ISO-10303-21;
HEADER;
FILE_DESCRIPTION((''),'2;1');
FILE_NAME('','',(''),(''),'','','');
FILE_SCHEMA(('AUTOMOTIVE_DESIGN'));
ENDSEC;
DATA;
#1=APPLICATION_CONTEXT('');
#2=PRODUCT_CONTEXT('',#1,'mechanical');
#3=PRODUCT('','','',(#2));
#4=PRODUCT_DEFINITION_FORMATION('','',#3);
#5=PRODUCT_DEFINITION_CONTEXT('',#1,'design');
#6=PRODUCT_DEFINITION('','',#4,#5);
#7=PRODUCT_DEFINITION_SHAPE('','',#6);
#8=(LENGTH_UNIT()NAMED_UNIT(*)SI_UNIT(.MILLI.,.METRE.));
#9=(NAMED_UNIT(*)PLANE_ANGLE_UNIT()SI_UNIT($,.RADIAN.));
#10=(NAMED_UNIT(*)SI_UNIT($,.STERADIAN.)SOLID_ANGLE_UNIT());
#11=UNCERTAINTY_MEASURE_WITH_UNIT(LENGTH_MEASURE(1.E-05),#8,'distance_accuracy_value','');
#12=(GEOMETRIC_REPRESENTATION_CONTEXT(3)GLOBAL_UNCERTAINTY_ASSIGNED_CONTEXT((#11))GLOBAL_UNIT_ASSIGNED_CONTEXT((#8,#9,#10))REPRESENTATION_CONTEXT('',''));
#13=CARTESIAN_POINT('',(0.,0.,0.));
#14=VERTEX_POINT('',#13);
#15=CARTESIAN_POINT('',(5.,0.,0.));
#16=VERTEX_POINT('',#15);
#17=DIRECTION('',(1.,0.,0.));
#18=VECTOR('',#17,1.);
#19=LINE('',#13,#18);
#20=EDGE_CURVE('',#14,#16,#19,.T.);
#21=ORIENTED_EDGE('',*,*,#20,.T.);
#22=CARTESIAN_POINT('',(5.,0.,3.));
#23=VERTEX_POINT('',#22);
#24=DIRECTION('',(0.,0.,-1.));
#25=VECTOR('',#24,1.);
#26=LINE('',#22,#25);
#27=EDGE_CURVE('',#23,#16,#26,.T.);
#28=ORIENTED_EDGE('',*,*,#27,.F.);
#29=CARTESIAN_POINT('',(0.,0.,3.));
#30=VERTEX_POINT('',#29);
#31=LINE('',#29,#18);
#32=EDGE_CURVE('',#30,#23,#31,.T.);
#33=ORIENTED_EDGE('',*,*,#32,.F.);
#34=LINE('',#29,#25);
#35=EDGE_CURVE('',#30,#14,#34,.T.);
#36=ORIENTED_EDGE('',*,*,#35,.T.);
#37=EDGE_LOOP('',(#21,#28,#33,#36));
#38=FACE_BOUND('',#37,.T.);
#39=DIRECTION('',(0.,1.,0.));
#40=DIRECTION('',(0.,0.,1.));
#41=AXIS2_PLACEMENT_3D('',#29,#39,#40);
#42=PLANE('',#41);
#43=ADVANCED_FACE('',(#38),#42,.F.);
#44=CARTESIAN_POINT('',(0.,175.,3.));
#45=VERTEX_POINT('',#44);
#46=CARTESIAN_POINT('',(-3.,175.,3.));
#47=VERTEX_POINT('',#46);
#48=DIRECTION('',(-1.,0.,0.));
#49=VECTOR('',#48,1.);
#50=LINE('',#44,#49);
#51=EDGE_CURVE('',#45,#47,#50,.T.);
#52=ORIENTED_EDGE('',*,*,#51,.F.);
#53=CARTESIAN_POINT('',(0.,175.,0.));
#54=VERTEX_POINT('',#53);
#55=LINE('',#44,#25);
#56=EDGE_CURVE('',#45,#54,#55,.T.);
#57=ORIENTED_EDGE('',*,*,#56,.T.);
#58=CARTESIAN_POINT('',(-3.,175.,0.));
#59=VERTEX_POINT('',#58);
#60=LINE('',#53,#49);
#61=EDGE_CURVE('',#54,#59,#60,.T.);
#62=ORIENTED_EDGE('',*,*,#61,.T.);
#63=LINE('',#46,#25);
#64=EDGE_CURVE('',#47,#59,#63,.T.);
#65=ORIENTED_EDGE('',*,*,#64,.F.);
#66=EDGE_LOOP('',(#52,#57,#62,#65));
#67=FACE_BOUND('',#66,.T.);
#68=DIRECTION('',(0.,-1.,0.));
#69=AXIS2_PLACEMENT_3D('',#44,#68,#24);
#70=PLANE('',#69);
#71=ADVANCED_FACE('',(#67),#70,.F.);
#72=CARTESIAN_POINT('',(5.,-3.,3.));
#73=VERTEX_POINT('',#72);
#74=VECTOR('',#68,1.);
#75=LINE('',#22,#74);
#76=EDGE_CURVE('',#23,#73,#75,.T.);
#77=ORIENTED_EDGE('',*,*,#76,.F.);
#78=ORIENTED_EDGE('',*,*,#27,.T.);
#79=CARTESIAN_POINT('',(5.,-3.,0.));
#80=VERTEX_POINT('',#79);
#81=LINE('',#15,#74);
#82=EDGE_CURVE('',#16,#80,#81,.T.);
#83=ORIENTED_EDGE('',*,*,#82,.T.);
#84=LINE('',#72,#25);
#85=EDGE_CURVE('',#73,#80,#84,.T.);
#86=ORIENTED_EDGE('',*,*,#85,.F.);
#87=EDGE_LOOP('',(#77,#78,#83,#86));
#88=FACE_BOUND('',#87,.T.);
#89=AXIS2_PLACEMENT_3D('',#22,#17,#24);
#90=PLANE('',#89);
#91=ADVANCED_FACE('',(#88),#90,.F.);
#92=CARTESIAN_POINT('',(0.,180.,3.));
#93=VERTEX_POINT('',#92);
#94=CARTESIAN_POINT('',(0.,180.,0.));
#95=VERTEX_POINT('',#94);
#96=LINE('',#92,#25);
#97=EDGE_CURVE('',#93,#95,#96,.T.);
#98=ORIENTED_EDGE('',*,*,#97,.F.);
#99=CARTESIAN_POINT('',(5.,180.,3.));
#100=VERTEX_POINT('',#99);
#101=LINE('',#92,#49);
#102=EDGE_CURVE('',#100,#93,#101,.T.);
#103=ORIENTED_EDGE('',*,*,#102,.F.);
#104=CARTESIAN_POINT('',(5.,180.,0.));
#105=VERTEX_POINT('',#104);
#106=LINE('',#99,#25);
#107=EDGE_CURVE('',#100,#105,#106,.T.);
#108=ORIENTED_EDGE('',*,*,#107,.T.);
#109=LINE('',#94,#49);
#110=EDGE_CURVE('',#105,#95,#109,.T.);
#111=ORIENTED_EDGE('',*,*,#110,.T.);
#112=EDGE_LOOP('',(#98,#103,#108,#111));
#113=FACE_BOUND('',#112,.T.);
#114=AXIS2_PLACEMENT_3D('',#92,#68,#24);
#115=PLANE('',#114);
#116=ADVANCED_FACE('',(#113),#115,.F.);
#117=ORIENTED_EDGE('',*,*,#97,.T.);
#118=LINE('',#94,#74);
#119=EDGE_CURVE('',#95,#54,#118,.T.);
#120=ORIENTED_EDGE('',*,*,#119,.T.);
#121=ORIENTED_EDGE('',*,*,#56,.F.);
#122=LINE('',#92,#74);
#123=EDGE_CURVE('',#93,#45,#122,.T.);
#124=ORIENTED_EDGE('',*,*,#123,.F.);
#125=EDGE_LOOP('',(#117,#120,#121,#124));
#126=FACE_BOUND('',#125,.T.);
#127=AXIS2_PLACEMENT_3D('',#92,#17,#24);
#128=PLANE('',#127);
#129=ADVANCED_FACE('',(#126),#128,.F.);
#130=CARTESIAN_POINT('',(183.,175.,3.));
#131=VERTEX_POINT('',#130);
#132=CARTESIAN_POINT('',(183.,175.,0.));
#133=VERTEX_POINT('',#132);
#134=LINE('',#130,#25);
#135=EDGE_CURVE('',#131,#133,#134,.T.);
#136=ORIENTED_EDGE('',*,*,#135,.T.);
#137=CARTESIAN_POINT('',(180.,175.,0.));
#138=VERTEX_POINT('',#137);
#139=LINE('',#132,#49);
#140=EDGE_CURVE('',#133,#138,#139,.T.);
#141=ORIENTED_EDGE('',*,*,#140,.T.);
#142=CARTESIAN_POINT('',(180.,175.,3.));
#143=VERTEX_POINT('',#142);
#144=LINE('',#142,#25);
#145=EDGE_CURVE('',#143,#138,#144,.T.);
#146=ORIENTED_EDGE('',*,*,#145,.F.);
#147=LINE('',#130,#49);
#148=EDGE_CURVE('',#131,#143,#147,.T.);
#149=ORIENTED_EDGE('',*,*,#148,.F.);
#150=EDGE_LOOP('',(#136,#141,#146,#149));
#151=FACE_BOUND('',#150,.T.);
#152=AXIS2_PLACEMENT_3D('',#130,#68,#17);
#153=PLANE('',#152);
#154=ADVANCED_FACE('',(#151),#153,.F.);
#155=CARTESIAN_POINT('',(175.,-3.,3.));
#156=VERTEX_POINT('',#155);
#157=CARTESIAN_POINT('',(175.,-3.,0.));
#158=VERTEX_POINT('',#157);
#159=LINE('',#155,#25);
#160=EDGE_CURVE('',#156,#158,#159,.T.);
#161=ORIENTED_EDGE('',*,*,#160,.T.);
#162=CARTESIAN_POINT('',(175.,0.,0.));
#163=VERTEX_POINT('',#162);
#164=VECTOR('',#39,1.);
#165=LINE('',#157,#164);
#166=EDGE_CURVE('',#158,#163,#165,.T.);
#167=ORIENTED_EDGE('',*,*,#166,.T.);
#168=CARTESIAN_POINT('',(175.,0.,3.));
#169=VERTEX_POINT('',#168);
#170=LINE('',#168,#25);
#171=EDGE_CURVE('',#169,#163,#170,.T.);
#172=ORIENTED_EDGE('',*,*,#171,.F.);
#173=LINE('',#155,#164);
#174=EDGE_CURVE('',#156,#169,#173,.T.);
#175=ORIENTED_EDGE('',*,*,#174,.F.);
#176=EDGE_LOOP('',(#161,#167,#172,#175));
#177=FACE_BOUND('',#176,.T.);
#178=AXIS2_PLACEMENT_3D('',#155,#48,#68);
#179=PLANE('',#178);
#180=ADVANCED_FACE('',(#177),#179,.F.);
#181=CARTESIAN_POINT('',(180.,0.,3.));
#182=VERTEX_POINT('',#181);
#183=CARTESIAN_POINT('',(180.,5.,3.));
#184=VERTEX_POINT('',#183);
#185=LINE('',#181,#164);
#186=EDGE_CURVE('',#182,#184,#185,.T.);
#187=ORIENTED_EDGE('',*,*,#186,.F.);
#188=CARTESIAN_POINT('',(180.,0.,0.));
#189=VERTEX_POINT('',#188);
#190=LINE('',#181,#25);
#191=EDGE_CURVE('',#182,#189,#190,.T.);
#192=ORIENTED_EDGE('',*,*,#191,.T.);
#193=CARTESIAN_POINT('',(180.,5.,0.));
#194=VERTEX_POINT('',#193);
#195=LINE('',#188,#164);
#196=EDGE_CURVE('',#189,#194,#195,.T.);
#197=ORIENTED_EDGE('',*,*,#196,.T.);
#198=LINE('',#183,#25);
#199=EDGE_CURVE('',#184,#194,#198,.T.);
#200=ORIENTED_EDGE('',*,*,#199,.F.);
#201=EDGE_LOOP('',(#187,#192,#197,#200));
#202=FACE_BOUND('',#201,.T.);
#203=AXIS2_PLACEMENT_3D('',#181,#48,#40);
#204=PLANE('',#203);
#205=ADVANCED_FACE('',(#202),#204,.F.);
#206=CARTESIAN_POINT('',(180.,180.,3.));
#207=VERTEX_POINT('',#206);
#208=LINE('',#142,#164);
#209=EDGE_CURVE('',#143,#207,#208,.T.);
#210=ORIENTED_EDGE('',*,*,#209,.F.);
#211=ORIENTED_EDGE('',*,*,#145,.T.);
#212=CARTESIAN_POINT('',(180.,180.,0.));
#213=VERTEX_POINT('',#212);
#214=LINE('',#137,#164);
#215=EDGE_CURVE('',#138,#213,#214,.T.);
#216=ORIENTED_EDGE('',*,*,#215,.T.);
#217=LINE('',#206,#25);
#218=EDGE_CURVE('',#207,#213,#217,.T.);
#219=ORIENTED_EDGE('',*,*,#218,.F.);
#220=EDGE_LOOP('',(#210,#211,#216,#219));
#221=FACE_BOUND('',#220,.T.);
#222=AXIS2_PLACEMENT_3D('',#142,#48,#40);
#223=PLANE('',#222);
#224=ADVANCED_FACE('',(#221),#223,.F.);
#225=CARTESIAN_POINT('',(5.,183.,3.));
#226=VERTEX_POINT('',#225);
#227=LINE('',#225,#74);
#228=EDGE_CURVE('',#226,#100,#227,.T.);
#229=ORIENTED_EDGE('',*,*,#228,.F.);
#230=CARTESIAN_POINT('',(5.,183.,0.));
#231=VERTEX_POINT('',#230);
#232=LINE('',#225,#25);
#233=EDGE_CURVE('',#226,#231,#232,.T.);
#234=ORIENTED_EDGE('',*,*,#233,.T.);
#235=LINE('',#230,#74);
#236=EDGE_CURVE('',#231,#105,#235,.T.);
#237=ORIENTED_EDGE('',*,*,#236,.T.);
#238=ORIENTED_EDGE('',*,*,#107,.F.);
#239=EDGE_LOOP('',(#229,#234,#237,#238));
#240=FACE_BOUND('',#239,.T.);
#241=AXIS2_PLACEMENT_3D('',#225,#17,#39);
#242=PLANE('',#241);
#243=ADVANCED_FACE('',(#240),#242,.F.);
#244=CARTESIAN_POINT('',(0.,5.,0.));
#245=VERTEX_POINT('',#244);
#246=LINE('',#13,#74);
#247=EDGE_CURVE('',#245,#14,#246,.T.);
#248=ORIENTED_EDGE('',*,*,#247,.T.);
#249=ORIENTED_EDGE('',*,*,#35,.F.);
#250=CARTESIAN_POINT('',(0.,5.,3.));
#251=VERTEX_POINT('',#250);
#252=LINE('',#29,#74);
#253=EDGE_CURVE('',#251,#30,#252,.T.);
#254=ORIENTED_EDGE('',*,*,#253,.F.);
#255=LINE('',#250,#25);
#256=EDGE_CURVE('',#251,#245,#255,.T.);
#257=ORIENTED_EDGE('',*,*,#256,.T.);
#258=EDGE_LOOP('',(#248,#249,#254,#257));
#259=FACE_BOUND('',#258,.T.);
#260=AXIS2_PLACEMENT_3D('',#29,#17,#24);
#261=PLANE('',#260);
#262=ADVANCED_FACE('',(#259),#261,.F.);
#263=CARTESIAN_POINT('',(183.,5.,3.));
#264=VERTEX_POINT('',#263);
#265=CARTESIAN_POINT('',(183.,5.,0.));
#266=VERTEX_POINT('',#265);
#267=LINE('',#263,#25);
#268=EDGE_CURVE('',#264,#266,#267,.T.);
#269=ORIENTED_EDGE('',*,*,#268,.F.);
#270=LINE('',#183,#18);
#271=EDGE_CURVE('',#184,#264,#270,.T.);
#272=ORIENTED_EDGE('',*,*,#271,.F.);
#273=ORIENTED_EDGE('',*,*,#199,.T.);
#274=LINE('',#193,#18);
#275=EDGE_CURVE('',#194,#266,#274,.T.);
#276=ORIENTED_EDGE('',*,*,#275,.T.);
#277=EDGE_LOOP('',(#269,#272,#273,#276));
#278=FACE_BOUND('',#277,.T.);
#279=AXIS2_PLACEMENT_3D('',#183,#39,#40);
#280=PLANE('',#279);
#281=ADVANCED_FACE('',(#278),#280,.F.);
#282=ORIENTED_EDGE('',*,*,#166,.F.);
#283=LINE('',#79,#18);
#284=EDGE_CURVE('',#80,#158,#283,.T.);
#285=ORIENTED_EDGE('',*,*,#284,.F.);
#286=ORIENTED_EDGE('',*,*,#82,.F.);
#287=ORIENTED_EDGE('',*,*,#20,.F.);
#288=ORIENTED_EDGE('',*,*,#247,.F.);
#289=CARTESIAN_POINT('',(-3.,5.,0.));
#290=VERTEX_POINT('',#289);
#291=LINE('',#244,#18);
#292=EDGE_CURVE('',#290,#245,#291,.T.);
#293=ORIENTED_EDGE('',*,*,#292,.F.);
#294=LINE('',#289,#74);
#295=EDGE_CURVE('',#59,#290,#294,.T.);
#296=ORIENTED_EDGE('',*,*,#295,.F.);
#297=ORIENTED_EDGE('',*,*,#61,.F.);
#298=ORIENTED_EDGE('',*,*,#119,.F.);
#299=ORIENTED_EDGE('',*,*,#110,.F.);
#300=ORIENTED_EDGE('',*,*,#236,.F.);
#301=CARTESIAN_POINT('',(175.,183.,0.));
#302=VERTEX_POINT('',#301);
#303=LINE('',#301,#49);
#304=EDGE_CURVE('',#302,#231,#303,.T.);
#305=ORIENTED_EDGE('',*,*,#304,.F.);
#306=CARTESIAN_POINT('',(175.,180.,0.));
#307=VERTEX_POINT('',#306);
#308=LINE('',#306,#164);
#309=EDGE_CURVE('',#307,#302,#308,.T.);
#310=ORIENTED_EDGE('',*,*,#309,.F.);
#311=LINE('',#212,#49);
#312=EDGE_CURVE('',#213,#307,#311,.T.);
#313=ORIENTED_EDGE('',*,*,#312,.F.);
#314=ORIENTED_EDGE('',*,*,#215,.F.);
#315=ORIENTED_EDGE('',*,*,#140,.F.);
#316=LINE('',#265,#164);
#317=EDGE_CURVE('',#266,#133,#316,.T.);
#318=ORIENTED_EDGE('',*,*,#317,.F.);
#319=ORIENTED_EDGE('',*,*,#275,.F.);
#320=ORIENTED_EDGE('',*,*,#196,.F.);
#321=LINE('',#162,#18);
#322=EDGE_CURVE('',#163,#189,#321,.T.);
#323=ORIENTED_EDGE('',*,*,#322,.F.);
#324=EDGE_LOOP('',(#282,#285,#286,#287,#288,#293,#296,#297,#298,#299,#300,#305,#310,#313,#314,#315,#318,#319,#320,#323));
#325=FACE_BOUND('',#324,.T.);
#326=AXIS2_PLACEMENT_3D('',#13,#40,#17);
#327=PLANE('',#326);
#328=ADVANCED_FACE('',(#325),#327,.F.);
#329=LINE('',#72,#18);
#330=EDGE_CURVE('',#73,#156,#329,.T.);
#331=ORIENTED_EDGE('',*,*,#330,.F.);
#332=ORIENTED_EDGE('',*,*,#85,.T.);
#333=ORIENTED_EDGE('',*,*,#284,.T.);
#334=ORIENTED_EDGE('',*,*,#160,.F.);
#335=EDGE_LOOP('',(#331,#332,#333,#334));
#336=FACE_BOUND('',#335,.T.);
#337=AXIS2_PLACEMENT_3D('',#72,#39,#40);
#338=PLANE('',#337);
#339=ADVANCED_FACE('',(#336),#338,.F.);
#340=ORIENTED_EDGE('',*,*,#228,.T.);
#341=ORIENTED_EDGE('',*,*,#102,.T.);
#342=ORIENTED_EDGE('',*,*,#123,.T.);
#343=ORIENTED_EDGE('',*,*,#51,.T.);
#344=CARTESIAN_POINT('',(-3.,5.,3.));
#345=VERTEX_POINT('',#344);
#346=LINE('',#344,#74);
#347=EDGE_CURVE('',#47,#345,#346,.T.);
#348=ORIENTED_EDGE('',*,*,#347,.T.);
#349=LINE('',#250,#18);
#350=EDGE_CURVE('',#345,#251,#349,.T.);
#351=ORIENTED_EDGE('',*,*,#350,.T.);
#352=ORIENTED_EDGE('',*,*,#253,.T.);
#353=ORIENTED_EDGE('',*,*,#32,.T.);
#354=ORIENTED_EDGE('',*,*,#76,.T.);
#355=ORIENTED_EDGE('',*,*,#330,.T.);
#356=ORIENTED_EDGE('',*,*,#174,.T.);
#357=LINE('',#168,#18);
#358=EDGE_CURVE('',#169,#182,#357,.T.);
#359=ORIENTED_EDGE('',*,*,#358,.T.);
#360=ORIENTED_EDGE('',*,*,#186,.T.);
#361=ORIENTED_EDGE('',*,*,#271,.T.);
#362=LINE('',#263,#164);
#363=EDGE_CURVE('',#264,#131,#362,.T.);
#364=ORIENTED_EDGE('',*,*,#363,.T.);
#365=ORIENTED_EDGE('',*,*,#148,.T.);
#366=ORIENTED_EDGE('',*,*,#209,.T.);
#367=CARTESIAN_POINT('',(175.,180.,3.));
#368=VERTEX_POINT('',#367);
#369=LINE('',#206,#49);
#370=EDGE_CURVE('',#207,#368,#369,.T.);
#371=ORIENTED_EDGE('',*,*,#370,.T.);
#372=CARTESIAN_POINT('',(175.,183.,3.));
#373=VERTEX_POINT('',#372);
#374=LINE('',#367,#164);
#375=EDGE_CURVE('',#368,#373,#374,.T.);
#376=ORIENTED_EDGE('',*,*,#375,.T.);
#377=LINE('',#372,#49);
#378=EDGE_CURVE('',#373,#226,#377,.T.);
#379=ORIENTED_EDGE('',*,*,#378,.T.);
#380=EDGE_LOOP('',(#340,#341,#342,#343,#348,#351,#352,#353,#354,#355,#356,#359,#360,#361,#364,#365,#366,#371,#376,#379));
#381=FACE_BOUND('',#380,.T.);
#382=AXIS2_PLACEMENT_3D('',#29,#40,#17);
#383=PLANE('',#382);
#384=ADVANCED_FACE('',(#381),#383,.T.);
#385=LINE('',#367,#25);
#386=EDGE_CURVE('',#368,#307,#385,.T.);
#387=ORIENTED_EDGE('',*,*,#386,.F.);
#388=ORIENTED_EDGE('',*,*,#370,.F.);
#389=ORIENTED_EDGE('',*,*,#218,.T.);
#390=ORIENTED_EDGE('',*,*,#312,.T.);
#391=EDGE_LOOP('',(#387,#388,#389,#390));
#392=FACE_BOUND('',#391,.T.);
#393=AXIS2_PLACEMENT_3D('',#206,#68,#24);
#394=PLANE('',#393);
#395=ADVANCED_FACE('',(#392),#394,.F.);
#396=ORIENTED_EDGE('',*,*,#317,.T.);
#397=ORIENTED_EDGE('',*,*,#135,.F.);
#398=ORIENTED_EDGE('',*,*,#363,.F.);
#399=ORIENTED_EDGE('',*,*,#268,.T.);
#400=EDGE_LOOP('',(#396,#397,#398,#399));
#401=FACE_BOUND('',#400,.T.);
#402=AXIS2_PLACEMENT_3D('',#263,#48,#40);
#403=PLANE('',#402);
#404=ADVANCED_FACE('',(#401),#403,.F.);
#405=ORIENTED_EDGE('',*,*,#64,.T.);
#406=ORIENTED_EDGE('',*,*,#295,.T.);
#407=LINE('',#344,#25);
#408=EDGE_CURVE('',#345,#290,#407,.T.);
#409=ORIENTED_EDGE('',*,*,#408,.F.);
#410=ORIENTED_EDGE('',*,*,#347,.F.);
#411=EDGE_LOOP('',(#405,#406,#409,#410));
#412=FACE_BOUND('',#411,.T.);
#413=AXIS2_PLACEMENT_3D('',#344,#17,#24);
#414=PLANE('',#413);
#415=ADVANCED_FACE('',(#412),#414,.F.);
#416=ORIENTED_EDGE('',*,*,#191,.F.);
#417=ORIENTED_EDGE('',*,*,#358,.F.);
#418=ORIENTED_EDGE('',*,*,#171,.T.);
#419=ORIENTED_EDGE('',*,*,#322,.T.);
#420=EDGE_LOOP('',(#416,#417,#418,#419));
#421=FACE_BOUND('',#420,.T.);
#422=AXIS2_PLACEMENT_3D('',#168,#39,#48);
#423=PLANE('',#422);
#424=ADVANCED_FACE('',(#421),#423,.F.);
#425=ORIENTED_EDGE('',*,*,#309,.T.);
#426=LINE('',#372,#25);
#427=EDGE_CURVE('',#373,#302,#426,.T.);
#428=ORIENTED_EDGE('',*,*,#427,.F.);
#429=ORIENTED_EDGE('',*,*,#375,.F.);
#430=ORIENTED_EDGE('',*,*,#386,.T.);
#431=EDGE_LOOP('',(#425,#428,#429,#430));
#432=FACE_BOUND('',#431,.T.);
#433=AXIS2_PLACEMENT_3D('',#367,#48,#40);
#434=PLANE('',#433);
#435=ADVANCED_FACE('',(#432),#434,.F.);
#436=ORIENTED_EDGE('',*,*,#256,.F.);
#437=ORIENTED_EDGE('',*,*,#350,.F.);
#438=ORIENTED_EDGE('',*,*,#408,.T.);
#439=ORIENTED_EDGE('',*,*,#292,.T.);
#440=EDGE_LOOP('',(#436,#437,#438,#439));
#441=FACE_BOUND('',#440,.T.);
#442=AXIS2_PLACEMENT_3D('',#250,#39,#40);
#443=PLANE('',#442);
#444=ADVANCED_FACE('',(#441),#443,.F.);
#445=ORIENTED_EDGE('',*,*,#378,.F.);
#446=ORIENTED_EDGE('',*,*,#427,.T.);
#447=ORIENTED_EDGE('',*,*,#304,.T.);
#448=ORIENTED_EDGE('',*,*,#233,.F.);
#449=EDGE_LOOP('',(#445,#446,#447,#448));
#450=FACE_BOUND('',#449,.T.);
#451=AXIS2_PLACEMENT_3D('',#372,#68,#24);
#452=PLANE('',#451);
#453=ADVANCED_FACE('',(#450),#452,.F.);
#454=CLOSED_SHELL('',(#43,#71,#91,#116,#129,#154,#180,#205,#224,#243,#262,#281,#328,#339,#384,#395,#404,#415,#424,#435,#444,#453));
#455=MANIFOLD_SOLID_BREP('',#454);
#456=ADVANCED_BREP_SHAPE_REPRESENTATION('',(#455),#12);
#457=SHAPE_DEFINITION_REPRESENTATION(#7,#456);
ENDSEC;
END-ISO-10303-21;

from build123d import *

# Parameters (mm, degrees)
EXTRUDE_1_DEPTH = 3


with BuildPart() as part:
    # 草图1 → 凸台-拉伸1 (new body)
    with BuildSketch(Plane.XY):
        Polygon((0, 180), (0, 175), (-3, 175), (-3, 5), (0, 5), (0, 0), (5, 0), (5, -3), (175, -3), (175, 0), (180, 0), (180, 5), (183, 5), (183, 175), (180, 175), (180, 180), (175, 180), (175, 183), (5, 183), (5, 180), align=None)
    extrude(amount=EXTRUDE_1_DEPTH)


solid = part.part
